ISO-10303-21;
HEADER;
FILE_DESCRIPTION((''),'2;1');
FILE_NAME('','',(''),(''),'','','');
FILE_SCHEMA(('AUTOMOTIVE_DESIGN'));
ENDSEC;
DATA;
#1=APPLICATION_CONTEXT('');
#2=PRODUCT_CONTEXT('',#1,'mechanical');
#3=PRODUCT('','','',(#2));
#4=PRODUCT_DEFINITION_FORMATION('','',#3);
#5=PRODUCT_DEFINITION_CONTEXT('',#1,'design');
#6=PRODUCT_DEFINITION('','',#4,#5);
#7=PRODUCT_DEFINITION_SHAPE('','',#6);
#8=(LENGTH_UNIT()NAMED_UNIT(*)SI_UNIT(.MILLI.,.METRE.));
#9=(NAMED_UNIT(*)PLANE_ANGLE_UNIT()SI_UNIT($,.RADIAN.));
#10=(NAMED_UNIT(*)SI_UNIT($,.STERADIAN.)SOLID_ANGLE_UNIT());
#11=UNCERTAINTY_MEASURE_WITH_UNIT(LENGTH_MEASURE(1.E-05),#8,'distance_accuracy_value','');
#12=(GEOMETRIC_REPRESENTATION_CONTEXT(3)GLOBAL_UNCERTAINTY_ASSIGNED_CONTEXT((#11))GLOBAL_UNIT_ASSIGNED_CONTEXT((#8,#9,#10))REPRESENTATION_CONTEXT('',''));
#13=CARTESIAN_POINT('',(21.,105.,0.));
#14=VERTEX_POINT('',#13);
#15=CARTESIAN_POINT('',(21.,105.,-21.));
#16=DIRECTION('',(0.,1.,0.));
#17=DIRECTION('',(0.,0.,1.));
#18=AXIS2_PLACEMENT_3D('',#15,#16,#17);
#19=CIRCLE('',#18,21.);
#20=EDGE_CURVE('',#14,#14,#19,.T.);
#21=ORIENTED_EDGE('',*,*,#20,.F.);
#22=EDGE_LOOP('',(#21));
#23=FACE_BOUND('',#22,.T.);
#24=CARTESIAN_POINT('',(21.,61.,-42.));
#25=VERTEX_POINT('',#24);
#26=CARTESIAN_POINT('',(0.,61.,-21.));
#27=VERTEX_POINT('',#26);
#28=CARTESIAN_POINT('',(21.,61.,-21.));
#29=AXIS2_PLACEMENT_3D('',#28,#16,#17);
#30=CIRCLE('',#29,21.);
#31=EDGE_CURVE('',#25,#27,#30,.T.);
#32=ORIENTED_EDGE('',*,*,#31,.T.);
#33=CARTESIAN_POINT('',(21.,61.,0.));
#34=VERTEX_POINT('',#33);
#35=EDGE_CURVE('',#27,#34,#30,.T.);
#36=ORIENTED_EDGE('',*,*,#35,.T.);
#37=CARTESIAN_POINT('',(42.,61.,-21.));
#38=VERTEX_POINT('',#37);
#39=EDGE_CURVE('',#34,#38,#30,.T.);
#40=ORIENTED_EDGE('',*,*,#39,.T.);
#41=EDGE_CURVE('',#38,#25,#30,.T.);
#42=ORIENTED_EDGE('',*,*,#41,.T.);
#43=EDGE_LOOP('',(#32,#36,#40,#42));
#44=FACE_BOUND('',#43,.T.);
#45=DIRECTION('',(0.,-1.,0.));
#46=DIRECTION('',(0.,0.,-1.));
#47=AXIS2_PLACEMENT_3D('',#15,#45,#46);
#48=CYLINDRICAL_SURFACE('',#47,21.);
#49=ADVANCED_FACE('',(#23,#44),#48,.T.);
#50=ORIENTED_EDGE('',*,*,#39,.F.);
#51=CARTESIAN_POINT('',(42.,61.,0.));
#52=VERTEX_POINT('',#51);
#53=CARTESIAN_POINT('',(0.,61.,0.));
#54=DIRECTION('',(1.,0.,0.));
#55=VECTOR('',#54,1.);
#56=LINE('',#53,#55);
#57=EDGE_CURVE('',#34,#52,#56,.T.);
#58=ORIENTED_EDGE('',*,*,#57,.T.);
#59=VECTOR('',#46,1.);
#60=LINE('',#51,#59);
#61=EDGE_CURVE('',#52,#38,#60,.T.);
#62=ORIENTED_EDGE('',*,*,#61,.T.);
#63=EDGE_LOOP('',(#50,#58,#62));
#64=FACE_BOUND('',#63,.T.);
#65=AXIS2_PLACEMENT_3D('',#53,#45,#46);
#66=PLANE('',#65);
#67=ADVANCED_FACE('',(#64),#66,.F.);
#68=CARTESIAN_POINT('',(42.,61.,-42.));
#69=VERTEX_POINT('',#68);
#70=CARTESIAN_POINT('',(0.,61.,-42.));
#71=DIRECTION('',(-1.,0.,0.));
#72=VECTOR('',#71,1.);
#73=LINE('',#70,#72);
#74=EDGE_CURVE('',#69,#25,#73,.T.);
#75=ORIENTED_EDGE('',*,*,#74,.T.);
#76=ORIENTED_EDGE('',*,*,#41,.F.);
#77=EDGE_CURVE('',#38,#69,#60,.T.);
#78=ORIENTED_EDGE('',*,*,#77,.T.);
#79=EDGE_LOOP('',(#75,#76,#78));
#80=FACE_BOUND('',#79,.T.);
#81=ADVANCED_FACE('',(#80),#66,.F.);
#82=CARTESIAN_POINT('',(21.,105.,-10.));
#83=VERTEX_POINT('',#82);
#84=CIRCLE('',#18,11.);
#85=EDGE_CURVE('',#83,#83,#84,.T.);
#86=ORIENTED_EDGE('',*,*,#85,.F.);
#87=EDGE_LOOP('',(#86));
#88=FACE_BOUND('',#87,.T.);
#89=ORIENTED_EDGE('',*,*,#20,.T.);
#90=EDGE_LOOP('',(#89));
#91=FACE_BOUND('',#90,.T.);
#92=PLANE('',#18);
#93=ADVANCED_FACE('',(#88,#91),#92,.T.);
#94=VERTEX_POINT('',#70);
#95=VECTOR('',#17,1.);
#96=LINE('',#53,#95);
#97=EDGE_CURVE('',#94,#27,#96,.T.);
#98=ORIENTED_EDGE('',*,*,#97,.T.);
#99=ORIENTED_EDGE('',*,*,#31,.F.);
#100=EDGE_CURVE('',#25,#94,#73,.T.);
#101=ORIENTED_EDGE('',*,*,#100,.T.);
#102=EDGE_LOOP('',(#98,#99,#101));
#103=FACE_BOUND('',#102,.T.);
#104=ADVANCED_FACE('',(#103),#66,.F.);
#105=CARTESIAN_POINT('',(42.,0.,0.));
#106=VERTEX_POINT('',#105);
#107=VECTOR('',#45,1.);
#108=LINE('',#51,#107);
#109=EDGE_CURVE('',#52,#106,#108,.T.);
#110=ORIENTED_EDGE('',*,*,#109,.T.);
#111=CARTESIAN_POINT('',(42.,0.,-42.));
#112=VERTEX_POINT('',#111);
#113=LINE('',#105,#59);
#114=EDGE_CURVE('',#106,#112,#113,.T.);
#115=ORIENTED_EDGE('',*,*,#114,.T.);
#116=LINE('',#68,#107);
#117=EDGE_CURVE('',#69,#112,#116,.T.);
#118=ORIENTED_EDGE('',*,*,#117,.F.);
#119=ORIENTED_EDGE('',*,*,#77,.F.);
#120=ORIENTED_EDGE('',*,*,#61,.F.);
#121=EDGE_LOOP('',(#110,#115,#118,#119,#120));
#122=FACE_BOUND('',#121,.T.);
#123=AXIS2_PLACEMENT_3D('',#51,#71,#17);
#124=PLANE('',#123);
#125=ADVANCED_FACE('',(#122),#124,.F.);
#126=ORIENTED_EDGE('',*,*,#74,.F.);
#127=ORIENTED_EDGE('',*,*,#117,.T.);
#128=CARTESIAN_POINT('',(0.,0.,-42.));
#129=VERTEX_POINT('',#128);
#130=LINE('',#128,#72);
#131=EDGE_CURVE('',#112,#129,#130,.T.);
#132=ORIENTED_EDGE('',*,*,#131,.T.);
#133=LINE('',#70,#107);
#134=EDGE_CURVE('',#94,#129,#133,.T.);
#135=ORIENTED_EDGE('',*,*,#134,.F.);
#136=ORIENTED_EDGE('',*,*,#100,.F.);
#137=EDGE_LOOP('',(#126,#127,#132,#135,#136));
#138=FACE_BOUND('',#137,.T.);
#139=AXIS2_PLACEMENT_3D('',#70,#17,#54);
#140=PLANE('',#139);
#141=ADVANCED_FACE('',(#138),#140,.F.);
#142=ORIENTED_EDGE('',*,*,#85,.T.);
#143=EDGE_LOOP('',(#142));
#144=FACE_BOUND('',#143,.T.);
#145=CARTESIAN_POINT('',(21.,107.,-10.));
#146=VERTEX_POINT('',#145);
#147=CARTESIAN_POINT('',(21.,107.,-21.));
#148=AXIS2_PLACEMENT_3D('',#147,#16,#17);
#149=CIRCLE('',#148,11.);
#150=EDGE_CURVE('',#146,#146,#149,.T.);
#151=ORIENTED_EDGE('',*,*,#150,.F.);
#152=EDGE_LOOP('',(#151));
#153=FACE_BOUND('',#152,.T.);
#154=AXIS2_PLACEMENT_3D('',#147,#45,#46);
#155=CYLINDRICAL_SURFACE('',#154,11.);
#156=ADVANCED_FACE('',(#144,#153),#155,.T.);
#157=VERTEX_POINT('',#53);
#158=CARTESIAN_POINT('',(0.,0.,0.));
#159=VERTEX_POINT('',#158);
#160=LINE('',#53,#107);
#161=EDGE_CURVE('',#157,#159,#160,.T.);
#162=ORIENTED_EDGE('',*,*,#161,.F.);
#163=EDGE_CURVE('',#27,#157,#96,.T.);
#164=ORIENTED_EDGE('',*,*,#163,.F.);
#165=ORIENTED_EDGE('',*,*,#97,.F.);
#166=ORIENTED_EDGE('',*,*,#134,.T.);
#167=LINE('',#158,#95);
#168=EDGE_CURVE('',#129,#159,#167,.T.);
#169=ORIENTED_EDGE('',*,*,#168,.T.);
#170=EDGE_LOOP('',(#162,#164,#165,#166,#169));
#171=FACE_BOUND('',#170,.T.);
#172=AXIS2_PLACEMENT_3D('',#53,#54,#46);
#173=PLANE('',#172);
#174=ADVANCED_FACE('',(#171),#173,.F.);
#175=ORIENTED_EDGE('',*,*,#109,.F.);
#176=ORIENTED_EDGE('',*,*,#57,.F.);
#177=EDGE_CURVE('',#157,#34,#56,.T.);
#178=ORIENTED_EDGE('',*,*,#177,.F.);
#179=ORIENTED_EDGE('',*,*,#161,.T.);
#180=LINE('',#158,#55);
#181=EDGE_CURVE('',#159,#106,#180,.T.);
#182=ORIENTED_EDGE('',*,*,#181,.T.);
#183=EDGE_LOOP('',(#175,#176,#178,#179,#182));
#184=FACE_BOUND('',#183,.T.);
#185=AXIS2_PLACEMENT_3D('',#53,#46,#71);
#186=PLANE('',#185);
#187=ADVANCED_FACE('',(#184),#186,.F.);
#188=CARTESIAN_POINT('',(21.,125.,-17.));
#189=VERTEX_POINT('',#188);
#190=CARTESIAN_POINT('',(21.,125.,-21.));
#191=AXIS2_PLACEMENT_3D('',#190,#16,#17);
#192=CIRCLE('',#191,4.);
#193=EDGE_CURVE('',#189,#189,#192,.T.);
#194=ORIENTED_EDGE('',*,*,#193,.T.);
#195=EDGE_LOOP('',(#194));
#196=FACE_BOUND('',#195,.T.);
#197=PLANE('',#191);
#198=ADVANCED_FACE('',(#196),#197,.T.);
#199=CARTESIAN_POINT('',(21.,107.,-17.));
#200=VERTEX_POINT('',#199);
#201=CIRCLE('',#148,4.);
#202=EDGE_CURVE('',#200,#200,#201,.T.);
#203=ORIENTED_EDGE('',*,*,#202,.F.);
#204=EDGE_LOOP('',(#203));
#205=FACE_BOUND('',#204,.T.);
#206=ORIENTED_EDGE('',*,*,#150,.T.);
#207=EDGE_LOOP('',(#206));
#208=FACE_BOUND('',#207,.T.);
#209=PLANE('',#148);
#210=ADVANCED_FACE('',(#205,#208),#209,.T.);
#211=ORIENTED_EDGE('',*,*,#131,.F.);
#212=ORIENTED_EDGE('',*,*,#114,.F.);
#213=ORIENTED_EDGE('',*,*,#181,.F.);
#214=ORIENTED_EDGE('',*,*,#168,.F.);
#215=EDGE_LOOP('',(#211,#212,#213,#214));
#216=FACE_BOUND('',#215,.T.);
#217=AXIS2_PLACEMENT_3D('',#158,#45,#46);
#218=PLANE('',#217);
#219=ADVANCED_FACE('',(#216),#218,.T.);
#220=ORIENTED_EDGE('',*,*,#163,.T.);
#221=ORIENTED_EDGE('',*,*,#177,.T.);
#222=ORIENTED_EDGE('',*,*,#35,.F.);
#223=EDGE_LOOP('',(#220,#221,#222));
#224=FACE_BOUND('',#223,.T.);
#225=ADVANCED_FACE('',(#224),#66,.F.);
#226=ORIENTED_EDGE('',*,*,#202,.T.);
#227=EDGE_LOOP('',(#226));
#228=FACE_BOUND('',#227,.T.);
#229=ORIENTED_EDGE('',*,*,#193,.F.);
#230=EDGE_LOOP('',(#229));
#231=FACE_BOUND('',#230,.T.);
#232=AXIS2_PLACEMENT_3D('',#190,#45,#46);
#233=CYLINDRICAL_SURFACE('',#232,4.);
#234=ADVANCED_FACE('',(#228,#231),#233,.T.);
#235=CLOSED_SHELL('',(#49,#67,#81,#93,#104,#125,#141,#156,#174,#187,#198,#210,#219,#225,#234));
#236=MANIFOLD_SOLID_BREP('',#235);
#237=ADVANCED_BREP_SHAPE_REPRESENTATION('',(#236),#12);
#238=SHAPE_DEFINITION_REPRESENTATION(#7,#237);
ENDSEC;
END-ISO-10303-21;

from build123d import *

# Parameters (mm, degrees)
SKETCH1_W           = 42
SKETCH1_H           = 42
BOSS_EXTRUDE1_DEPTH = 61
SKETCH2_R           = 21
BOSS_EXTRUDE2_DEPTH = 44
SKETCH3_R           = 11
BOSS_EXTRUDE3_DEPTH = 2
SKETCH4_R           = 4
BOSS_EXTRUDE4_DEPTH = 18


with BuildPart() as part:
    # Sketch1 → Boss-Extrude1 (new body)
    with BuildSketch(Plane(origin=(0, 0, 0), x_dir=(1, 0, 0), z_dir=(0, 1, 0))):
        with Locations((21, 21)):
            Rectangle(SKETCH1_W, SKETCH1_H)
    extrude(amount=BOSS_EXTRUDE1_DEPTH)

    # Sketch2 → Boss-Extrude2 (add)
    with BuildSketch(Plane(origin=(0, 61, 0), x_dir=(1, 0, 0), z_dir=(0, 1, 0))):
        with Locations(Location((21, 21, 0), (0, 0, 270))):
            Circle(SKETCH2_R)
    extrude(amount=BOSS_EXTRUDE2_DEPTH)

    # Sketch3 → Boss-Extrude3 (add)
    with BuildSketch(Plane(origin=(0, 105, 0), x_dir=(1, 0, 0), z_dir=(0, 1, 0))):
        with Locations(Location((21, 21, 0), (0, 0, 270))):
            Circle(SKETCH3_R)
    extrude(amount=BOSS_EXTRUDE3_DEPTH)

    # Sketch4 → Boss-Extrude4 (add)
    with BuildSketch(Plane(origin=(0, 107, 0), x_dir=(1, 0, 0), z_dir=(0, 1, 0))):
        with Locations(Location((21, 21, 0), (0, 0, 270))):
            Circle(SKETCH4_R)
    extrude(amount=BOSS_EXTRUDE4_DEPTH)


solid = part.part
